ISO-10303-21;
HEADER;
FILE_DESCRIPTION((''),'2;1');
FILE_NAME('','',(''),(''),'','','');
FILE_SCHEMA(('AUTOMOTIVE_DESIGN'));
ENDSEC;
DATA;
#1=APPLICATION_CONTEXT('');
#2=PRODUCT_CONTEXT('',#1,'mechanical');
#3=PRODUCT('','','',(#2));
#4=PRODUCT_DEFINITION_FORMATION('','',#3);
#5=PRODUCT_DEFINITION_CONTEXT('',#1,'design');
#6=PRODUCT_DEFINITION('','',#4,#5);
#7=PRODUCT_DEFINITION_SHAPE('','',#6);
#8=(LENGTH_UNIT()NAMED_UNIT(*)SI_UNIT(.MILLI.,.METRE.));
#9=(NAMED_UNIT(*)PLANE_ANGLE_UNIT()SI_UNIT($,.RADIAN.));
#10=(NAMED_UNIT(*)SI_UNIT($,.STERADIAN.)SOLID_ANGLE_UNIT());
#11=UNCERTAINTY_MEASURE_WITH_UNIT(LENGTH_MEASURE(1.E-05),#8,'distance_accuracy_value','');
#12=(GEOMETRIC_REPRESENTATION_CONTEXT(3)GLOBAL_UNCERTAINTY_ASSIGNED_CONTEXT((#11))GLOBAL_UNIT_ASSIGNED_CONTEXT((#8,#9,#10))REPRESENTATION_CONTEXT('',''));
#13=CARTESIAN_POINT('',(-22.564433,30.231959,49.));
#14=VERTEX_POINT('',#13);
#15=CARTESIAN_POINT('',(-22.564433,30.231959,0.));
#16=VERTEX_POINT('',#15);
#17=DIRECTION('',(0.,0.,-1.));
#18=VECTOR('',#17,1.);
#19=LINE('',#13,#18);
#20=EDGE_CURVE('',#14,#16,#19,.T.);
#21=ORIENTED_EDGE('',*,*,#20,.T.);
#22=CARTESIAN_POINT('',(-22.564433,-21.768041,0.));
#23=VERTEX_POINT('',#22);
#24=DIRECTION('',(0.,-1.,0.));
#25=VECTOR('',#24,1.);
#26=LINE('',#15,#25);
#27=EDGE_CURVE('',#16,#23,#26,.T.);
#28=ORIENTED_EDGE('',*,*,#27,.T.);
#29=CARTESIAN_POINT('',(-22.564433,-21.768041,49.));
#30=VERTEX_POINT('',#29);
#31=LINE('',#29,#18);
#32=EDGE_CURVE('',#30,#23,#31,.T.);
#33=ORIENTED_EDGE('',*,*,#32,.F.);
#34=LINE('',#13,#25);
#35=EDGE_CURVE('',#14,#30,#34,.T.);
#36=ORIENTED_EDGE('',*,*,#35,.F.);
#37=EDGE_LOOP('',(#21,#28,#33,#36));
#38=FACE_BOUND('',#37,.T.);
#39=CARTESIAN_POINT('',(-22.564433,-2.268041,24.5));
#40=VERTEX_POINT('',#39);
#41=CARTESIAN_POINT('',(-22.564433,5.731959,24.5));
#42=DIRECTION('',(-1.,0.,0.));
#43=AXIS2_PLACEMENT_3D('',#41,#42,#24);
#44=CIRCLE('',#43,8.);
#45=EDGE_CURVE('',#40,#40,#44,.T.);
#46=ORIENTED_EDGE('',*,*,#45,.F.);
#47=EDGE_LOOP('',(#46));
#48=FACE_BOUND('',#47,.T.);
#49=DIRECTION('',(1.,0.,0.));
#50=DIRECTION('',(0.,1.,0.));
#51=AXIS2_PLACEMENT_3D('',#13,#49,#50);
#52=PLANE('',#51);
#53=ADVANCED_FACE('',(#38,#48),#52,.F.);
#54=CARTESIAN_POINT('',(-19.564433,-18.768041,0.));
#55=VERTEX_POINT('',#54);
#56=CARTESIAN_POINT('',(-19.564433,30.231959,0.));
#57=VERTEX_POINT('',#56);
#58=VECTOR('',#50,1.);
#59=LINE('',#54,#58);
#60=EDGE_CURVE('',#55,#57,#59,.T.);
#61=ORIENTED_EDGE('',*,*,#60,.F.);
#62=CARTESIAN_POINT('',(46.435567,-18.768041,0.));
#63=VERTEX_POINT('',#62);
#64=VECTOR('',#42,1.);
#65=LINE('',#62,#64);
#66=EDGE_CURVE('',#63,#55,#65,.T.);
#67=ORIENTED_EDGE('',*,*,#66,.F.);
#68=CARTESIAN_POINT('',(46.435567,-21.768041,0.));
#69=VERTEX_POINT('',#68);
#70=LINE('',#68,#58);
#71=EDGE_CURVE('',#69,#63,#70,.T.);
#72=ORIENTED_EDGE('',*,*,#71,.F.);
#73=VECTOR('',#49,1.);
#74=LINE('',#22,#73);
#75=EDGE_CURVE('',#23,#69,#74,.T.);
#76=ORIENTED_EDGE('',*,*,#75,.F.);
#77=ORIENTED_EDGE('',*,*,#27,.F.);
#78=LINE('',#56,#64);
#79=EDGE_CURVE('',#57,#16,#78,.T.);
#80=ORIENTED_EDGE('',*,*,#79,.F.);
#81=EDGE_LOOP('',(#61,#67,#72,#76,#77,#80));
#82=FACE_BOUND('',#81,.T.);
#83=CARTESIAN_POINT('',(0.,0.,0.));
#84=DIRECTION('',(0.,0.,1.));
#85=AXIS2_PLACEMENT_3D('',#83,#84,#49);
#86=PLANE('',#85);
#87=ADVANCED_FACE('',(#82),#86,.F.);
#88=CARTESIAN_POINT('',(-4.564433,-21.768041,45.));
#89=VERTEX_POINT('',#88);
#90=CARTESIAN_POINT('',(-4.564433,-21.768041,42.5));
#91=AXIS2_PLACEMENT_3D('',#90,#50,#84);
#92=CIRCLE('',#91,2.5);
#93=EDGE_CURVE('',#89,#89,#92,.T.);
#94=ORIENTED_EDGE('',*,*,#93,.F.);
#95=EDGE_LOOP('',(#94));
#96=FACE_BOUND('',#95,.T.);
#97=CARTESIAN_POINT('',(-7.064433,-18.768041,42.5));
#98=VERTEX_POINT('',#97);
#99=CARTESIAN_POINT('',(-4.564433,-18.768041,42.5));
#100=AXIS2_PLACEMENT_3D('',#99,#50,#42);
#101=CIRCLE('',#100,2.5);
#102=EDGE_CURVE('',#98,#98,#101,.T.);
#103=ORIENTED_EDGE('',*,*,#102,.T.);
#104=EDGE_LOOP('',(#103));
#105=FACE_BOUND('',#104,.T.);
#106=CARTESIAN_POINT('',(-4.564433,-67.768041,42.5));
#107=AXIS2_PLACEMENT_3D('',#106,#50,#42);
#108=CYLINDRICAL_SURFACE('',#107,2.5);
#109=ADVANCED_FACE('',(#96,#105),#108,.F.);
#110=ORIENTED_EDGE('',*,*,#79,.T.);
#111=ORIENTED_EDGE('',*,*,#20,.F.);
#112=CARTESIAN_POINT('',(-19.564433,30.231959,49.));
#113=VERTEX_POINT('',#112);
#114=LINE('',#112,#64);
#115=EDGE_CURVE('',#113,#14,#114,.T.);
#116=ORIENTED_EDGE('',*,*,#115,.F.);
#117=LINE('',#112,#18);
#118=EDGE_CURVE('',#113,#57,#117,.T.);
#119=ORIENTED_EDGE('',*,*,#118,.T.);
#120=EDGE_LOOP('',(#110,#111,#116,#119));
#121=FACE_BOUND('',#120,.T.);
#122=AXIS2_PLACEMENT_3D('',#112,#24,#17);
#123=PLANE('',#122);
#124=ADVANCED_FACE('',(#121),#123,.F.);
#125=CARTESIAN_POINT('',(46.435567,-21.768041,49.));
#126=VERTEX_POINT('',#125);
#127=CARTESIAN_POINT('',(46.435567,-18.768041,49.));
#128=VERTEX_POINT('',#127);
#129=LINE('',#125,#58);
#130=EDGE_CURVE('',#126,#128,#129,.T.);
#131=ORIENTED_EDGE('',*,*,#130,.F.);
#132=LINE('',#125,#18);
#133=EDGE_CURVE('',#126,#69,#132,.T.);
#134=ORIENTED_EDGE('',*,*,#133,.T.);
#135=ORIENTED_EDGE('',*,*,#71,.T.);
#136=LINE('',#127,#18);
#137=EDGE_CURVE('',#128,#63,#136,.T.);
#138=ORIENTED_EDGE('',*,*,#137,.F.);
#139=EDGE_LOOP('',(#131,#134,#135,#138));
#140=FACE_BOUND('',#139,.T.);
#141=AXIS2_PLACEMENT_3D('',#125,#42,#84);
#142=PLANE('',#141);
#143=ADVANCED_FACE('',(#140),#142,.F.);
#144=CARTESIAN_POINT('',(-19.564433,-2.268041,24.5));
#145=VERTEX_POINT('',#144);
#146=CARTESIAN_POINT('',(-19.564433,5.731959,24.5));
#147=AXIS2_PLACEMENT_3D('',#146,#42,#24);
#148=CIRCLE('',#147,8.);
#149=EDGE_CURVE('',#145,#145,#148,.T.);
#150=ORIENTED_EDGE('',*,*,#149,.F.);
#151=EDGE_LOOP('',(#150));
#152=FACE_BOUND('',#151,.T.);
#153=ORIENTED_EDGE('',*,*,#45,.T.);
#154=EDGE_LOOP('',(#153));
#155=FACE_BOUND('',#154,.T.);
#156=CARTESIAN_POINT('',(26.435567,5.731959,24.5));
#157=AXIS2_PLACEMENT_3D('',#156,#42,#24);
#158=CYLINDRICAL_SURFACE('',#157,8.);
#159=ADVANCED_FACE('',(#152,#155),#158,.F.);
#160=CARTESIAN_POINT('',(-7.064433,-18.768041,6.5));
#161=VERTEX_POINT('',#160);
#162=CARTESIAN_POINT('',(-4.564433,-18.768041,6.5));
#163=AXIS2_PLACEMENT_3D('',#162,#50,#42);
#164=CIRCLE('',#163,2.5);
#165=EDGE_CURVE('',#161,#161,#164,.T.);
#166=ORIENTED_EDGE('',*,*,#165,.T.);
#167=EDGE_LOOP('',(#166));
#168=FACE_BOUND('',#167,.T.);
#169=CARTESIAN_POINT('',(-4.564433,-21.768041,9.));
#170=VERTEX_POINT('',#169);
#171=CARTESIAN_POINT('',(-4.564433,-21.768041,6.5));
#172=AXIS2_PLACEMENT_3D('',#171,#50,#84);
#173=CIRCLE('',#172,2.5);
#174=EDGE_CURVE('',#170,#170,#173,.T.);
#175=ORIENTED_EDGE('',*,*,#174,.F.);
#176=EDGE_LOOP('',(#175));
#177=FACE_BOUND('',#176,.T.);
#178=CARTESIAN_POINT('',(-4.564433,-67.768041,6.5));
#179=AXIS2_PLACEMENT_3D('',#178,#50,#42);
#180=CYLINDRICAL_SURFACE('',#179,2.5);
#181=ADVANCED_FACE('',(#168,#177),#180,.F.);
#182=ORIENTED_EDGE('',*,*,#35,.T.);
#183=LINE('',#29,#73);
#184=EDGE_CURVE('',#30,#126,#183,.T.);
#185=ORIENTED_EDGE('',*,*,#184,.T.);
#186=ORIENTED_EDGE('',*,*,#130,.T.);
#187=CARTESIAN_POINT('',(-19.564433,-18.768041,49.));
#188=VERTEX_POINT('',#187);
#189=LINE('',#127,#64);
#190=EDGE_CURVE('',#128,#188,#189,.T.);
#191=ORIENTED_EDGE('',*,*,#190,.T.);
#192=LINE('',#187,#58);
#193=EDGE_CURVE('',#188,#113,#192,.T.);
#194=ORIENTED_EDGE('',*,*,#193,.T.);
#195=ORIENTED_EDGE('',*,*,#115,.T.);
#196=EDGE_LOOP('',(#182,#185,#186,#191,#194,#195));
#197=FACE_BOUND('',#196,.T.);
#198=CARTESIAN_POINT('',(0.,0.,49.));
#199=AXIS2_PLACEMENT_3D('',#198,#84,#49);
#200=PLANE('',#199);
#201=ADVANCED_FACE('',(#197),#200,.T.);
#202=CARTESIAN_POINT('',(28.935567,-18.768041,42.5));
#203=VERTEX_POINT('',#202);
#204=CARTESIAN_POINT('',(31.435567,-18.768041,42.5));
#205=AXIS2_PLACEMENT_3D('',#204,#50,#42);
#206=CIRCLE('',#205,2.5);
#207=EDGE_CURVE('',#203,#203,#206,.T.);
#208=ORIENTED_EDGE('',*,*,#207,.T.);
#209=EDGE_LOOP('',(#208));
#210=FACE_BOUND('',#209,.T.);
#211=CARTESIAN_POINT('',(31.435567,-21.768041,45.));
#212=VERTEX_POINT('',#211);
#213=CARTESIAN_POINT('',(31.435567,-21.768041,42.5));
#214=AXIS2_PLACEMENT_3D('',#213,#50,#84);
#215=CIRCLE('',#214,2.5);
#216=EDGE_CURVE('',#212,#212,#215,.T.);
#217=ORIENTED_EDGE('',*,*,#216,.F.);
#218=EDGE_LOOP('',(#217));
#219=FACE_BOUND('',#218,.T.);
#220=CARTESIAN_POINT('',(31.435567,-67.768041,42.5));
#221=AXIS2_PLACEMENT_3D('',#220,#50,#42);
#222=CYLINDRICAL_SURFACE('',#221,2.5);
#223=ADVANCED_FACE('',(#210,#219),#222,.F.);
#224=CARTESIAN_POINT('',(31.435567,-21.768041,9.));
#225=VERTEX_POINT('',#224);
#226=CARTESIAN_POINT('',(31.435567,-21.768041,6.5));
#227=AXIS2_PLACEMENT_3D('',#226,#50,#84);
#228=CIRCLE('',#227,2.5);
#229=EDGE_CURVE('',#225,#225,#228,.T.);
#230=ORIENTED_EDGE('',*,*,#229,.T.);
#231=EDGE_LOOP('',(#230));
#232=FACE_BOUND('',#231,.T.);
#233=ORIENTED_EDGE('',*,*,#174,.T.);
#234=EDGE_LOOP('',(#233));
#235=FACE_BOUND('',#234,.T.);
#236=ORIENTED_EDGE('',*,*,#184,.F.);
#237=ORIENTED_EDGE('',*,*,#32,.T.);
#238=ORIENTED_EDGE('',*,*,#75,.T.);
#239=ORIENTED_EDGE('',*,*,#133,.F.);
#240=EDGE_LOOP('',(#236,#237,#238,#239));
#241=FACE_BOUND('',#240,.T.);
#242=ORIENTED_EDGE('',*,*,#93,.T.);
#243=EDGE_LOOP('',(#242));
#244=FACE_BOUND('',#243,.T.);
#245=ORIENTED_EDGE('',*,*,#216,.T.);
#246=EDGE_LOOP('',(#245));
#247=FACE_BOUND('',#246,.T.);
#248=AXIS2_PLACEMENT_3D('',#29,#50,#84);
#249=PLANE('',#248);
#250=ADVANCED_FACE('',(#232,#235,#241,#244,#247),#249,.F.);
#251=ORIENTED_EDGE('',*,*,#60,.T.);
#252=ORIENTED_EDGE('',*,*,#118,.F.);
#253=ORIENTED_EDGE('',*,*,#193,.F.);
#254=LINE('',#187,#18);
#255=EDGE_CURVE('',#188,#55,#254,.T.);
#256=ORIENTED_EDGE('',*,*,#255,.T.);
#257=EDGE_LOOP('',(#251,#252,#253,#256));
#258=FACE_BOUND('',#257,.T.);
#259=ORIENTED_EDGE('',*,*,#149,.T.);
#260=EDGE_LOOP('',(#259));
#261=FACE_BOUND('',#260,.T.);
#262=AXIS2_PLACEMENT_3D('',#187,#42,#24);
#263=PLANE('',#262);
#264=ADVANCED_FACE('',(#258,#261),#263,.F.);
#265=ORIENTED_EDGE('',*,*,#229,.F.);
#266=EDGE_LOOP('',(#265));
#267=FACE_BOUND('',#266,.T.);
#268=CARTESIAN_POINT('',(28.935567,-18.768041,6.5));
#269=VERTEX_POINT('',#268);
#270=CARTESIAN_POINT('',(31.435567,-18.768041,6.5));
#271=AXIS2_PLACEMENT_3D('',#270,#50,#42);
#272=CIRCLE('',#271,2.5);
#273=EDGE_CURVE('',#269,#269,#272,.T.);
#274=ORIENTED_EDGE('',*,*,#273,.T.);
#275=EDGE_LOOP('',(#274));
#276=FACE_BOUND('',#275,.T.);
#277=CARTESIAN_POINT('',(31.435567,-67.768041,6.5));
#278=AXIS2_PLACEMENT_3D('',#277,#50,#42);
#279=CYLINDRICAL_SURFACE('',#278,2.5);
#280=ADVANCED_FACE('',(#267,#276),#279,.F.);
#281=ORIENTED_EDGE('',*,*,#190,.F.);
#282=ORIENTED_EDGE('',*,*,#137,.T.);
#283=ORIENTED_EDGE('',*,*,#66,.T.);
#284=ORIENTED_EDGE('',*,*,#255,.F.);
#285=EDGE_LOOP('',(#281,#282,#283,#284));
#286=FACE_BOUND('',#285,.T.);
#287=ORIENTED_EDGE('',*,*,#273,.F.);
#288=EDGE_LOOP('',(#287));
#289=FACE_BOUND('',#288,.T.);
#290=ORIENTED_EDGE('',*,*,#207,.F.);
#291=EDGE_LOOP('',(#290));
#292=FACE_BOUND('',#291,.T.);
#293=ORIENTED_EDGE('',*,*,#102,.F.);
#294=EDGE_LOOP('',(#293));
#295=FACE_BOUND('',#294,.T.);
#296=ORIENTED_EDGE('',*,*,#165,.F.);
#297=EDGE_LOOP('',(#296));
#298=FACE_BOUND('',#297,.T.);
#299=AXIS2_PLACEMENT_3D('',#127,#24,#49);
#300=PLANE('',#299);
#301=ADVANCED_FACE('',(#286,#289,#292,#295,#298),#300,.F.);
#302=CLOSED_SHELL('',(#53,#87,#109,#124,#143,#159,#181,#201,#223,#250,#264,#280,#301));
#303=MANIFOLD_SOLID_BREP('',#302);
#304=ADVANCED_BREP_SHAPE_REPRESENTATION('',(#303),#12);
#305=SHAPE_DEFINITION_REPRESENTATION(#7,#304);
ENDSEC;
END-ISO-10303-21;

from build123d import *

# Parameters (mm, degrees)
EXTRUDE_1_DEPTH     = 49
SKETCH_2_R          = 2.5
CUT_EXTRUDE_1_DEPTH = 49
SKETCH_3_R          = 8
CUT_EXTRUDE_2_DEPTH = 49


with BuildPart() as part:
    # 草图1 → 凸台-拉伸1 (new body)
    with BuildSketch(Plane.XY):
        Polygon((-22.564432673, 30.231958763), (-22.564432673, -21.768041237), (46.435567327, -21.768041237), (46.435567327, -18.768041237), (-19.564432673, -18.768041237), (-19.564432673, 30.231958763), align=None)
    extrude(amount=EXTRUDE_1_DEPTH)

    # 草图2 → 切除-拉伸1 (cut)
    with BuildSketch(Plane(origin=(0, -18.768041237, 0), x_dir=(1, 0, 0), z_dir=(0, 1, 0))):
        with Locations((-4.564432673, -6.5)):
            Circle(SKETCH_2_R)
        with Locations((31.435567327, -6.5)):
            Circle(SKETCH_2_R)
        with Locations((-4.564432673, -42.5)):
            Circle(SKETCH_2_R)
        with Locations((31.435567327, -42.5)):
            Circle(SKETCH_2_R)
    extrude(amount=-CUT_EXTRUDE_1_DEPTH, mode=Mode.SUBTRACT)

    # 草图3 → 切除-拉伸2 (cut)
    with BuildSketch(Plane.ZY.offset(22.564432673)):
        with Locations((24.5, 5.731958763)):
            Circle(SKETCH_3_R)
    extrude(amount=-CUT_EXTRUDE_2_DEPTH, mode=Mode.SUBTRACT)


solid = part.part
